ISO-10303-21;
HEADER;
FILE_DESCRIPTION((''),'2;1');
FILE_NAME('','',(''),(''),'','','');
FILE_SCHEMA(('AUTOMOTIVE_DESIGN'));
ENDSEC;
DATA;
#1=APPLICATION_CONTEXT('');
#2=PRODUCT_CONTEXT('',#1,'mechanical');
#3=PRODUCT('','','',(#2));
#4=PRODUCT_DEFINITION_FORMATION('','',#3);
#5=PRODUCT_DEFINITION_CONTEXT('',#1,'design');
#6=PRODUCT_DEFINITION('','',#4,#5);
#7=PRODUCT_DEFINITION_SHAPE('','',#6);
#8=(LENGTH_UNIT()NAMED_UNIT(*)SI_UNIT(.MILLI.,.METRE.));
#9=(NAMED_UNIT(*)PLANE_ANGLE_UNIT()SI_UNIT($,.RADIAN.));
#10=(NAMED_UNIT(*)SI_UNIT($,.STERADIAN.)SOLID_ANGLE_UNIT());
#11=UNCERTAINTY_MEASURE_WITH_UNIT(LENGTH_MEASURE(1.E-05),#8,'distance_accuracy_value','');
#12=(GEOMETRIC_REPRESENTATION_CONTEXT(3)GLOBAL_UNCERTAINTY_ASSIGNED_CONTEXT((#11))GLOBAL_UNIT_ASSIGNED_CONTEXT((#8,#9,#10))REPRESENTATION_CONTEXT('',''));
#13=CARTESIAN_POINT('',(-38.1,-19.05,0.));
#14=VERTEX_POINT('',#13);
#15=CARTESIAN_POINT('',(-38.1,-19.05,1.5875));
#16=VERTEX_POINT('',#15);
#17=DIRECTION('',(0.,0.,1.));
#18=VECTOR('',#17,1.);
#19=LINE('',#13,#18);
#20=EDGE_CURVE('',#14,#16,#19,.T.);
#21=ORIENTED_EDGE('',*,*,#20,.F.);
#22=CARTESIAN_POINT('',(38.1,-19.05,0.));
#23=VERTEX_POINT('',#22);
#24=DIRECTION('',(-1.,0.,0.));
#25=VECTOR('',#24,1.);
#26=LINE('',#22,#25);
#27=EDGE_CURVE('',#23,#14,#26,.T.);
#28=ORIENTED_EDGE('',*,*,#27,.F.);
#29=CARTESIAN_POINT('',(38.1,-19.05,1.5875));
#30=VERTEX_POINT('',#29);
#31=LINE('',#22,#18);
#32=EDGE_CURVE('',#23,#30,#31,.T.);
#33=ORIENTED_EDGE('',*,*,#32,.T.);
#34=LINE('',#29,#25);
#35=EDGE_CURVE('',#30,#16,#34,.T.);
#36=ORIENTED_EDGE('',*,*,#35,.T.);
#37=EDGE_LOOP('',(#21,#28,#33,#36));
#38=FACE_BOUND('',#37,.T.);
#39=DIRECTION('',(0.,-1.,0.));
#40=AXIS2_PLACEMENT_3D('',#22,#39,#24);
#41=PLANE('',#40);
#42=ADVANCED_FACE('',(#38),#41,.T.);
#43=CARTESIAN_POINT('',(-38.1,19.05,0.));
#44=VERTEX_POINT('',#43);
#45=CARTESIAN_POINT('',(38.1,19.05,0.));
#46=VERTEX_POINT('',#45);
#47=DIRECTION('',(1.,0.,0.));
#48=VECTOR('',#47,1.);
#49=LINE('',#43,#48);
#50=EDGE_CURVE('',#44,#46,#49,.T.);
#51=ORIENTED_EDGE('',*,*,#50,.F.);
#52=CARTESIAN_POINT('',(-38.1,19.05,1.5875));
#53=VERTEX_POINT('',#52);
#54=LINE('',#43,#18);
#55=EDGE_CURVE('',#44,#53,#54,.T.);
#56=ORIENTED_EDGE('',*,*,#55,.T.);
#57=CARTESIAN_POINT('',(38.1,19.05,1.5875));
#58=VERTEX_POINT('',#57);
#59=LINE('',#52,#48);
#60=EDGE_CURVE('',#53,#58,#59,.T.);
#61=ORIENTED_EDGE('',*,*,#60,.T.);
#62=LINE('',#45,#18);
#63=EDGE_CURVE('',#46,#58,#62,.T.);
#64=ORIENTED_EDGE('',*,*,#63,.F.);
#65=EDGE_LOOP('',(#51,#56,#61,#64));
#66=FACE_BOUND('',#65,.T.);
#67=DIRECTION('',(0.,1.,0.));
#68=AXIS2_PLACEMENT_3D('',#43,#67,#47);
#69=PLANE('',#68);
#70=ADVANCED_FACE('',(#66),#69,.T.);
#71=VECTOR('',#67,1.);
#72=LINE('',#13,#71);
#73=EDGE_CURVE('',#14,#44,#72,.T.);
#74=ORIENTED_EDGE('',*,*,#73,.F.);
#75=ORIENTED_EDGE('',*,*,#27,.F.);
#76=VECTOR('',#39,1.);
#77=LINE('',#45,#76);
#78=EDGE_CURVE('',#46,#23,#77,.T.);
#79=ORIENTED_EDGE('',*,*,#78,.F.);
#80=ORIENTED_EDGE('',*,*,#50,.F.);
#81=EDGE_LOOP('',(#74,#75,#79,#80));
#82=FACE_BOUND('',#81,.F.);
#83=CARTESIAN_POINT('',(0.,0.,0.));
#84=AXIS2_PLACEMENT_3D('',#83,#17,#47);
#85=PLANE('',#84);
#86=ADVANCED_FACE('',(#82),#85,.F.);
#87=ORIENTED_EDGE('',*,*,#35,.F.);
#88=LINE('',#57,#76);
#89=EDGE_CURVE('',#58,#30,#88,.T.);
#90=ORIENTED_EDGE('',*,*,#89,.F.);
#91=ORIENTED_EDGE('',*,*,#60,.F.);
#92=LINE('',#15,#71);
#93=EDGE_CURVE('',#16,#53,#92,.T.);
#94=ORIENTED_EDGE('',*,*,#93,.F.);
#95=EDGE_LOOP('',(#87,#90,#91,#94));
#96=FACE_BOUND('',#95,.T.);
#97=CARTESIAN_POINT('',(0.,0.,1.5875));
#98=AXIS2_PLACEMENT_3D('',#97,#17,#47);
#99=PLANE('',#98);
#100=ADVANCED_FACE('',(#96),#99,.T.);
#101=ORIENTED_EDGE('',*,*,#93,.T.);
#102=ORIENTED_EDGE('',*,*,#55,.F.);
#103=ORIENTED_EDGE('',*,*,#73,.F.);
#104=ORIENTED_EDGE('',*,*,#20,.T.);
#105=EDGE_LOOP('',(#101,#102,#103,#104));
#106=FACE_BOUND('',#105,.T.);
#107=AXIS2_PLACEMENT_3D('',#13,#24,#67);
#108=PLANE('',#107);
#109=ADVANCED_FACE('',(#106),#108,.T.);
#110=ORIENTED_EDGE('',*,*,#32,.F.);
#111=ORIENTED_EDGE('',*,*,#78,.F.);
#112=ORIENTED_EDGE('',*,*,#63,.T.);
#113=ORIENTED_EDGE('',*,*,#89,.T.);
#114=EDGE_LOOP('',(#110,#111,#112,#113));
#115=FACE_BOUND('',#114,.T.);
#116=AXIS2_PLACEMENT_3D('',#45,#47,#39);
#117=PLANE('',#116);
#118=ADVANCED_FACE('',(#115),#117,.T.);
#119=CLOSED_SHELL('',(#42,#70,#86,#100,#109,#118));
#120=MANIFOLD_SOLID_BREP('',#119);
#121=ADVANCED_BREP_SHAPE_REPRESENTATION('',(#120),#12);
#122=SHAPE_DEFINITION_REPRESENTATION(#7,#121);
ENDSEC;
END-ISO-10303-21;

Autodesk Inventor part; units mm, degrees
ref_plane "YZ Plane" through (0, 0, 0) normal (1, 0, 0) x (0, 1, 0)
ref_plane "XZ Plane" through (0, 0, 0) normal (0, 1, 0) x (-1, 0, 0)
ref_plane "XY Plane" through (0, 0, 0) normal (0, 0, 1) x (1, 0, 0)
sketch "Sketch1" plane through (0, 0, 0) normal (0, 0, 1) x (1, 0, 0)
  line L0 (-38.1, 19.05) -> (38.1, 19.05)
  line L1 (38.1, 19.05) -> (38.1, -19.05)
  line L2 (38.1, -19.05) -> (-38.1, -19.05)
  line L3 (-38.1, -19.05) -> (-38.1, 19.05)
  line L4 (-38.1, 19.05) -> (38.1, -19.05) construction
  line L5 (38.1, 19.05) -> (-38.1, -19.05) construction
  point P0 (0, 0)
  dimension "d0" = 76.2
  dimension "d1" = 38.1
extrude "Extrusion1" add sketch "Sketch1" along normal blind 1.5875
equation "\"BendRadius\" = Thickness"
equation "\"BendReliefWidth\" = Thickness"
equation "\"BendReliefDepth\" = 0.5 * Thickness"
equation "\"CornerReliefSize\" = 4 * Thickness"
equation "\"MinimumRemnant\" = 2 * Thickness"
equation "\"TransitionRadius\" = BendRadius"
equation "\"JacobiRadiusSize\" = BendRadius"
equation "\"GapSize\" = Thickness"
equation "\"Thickness\" = 3.048"
properties part number "SiliconePad"
